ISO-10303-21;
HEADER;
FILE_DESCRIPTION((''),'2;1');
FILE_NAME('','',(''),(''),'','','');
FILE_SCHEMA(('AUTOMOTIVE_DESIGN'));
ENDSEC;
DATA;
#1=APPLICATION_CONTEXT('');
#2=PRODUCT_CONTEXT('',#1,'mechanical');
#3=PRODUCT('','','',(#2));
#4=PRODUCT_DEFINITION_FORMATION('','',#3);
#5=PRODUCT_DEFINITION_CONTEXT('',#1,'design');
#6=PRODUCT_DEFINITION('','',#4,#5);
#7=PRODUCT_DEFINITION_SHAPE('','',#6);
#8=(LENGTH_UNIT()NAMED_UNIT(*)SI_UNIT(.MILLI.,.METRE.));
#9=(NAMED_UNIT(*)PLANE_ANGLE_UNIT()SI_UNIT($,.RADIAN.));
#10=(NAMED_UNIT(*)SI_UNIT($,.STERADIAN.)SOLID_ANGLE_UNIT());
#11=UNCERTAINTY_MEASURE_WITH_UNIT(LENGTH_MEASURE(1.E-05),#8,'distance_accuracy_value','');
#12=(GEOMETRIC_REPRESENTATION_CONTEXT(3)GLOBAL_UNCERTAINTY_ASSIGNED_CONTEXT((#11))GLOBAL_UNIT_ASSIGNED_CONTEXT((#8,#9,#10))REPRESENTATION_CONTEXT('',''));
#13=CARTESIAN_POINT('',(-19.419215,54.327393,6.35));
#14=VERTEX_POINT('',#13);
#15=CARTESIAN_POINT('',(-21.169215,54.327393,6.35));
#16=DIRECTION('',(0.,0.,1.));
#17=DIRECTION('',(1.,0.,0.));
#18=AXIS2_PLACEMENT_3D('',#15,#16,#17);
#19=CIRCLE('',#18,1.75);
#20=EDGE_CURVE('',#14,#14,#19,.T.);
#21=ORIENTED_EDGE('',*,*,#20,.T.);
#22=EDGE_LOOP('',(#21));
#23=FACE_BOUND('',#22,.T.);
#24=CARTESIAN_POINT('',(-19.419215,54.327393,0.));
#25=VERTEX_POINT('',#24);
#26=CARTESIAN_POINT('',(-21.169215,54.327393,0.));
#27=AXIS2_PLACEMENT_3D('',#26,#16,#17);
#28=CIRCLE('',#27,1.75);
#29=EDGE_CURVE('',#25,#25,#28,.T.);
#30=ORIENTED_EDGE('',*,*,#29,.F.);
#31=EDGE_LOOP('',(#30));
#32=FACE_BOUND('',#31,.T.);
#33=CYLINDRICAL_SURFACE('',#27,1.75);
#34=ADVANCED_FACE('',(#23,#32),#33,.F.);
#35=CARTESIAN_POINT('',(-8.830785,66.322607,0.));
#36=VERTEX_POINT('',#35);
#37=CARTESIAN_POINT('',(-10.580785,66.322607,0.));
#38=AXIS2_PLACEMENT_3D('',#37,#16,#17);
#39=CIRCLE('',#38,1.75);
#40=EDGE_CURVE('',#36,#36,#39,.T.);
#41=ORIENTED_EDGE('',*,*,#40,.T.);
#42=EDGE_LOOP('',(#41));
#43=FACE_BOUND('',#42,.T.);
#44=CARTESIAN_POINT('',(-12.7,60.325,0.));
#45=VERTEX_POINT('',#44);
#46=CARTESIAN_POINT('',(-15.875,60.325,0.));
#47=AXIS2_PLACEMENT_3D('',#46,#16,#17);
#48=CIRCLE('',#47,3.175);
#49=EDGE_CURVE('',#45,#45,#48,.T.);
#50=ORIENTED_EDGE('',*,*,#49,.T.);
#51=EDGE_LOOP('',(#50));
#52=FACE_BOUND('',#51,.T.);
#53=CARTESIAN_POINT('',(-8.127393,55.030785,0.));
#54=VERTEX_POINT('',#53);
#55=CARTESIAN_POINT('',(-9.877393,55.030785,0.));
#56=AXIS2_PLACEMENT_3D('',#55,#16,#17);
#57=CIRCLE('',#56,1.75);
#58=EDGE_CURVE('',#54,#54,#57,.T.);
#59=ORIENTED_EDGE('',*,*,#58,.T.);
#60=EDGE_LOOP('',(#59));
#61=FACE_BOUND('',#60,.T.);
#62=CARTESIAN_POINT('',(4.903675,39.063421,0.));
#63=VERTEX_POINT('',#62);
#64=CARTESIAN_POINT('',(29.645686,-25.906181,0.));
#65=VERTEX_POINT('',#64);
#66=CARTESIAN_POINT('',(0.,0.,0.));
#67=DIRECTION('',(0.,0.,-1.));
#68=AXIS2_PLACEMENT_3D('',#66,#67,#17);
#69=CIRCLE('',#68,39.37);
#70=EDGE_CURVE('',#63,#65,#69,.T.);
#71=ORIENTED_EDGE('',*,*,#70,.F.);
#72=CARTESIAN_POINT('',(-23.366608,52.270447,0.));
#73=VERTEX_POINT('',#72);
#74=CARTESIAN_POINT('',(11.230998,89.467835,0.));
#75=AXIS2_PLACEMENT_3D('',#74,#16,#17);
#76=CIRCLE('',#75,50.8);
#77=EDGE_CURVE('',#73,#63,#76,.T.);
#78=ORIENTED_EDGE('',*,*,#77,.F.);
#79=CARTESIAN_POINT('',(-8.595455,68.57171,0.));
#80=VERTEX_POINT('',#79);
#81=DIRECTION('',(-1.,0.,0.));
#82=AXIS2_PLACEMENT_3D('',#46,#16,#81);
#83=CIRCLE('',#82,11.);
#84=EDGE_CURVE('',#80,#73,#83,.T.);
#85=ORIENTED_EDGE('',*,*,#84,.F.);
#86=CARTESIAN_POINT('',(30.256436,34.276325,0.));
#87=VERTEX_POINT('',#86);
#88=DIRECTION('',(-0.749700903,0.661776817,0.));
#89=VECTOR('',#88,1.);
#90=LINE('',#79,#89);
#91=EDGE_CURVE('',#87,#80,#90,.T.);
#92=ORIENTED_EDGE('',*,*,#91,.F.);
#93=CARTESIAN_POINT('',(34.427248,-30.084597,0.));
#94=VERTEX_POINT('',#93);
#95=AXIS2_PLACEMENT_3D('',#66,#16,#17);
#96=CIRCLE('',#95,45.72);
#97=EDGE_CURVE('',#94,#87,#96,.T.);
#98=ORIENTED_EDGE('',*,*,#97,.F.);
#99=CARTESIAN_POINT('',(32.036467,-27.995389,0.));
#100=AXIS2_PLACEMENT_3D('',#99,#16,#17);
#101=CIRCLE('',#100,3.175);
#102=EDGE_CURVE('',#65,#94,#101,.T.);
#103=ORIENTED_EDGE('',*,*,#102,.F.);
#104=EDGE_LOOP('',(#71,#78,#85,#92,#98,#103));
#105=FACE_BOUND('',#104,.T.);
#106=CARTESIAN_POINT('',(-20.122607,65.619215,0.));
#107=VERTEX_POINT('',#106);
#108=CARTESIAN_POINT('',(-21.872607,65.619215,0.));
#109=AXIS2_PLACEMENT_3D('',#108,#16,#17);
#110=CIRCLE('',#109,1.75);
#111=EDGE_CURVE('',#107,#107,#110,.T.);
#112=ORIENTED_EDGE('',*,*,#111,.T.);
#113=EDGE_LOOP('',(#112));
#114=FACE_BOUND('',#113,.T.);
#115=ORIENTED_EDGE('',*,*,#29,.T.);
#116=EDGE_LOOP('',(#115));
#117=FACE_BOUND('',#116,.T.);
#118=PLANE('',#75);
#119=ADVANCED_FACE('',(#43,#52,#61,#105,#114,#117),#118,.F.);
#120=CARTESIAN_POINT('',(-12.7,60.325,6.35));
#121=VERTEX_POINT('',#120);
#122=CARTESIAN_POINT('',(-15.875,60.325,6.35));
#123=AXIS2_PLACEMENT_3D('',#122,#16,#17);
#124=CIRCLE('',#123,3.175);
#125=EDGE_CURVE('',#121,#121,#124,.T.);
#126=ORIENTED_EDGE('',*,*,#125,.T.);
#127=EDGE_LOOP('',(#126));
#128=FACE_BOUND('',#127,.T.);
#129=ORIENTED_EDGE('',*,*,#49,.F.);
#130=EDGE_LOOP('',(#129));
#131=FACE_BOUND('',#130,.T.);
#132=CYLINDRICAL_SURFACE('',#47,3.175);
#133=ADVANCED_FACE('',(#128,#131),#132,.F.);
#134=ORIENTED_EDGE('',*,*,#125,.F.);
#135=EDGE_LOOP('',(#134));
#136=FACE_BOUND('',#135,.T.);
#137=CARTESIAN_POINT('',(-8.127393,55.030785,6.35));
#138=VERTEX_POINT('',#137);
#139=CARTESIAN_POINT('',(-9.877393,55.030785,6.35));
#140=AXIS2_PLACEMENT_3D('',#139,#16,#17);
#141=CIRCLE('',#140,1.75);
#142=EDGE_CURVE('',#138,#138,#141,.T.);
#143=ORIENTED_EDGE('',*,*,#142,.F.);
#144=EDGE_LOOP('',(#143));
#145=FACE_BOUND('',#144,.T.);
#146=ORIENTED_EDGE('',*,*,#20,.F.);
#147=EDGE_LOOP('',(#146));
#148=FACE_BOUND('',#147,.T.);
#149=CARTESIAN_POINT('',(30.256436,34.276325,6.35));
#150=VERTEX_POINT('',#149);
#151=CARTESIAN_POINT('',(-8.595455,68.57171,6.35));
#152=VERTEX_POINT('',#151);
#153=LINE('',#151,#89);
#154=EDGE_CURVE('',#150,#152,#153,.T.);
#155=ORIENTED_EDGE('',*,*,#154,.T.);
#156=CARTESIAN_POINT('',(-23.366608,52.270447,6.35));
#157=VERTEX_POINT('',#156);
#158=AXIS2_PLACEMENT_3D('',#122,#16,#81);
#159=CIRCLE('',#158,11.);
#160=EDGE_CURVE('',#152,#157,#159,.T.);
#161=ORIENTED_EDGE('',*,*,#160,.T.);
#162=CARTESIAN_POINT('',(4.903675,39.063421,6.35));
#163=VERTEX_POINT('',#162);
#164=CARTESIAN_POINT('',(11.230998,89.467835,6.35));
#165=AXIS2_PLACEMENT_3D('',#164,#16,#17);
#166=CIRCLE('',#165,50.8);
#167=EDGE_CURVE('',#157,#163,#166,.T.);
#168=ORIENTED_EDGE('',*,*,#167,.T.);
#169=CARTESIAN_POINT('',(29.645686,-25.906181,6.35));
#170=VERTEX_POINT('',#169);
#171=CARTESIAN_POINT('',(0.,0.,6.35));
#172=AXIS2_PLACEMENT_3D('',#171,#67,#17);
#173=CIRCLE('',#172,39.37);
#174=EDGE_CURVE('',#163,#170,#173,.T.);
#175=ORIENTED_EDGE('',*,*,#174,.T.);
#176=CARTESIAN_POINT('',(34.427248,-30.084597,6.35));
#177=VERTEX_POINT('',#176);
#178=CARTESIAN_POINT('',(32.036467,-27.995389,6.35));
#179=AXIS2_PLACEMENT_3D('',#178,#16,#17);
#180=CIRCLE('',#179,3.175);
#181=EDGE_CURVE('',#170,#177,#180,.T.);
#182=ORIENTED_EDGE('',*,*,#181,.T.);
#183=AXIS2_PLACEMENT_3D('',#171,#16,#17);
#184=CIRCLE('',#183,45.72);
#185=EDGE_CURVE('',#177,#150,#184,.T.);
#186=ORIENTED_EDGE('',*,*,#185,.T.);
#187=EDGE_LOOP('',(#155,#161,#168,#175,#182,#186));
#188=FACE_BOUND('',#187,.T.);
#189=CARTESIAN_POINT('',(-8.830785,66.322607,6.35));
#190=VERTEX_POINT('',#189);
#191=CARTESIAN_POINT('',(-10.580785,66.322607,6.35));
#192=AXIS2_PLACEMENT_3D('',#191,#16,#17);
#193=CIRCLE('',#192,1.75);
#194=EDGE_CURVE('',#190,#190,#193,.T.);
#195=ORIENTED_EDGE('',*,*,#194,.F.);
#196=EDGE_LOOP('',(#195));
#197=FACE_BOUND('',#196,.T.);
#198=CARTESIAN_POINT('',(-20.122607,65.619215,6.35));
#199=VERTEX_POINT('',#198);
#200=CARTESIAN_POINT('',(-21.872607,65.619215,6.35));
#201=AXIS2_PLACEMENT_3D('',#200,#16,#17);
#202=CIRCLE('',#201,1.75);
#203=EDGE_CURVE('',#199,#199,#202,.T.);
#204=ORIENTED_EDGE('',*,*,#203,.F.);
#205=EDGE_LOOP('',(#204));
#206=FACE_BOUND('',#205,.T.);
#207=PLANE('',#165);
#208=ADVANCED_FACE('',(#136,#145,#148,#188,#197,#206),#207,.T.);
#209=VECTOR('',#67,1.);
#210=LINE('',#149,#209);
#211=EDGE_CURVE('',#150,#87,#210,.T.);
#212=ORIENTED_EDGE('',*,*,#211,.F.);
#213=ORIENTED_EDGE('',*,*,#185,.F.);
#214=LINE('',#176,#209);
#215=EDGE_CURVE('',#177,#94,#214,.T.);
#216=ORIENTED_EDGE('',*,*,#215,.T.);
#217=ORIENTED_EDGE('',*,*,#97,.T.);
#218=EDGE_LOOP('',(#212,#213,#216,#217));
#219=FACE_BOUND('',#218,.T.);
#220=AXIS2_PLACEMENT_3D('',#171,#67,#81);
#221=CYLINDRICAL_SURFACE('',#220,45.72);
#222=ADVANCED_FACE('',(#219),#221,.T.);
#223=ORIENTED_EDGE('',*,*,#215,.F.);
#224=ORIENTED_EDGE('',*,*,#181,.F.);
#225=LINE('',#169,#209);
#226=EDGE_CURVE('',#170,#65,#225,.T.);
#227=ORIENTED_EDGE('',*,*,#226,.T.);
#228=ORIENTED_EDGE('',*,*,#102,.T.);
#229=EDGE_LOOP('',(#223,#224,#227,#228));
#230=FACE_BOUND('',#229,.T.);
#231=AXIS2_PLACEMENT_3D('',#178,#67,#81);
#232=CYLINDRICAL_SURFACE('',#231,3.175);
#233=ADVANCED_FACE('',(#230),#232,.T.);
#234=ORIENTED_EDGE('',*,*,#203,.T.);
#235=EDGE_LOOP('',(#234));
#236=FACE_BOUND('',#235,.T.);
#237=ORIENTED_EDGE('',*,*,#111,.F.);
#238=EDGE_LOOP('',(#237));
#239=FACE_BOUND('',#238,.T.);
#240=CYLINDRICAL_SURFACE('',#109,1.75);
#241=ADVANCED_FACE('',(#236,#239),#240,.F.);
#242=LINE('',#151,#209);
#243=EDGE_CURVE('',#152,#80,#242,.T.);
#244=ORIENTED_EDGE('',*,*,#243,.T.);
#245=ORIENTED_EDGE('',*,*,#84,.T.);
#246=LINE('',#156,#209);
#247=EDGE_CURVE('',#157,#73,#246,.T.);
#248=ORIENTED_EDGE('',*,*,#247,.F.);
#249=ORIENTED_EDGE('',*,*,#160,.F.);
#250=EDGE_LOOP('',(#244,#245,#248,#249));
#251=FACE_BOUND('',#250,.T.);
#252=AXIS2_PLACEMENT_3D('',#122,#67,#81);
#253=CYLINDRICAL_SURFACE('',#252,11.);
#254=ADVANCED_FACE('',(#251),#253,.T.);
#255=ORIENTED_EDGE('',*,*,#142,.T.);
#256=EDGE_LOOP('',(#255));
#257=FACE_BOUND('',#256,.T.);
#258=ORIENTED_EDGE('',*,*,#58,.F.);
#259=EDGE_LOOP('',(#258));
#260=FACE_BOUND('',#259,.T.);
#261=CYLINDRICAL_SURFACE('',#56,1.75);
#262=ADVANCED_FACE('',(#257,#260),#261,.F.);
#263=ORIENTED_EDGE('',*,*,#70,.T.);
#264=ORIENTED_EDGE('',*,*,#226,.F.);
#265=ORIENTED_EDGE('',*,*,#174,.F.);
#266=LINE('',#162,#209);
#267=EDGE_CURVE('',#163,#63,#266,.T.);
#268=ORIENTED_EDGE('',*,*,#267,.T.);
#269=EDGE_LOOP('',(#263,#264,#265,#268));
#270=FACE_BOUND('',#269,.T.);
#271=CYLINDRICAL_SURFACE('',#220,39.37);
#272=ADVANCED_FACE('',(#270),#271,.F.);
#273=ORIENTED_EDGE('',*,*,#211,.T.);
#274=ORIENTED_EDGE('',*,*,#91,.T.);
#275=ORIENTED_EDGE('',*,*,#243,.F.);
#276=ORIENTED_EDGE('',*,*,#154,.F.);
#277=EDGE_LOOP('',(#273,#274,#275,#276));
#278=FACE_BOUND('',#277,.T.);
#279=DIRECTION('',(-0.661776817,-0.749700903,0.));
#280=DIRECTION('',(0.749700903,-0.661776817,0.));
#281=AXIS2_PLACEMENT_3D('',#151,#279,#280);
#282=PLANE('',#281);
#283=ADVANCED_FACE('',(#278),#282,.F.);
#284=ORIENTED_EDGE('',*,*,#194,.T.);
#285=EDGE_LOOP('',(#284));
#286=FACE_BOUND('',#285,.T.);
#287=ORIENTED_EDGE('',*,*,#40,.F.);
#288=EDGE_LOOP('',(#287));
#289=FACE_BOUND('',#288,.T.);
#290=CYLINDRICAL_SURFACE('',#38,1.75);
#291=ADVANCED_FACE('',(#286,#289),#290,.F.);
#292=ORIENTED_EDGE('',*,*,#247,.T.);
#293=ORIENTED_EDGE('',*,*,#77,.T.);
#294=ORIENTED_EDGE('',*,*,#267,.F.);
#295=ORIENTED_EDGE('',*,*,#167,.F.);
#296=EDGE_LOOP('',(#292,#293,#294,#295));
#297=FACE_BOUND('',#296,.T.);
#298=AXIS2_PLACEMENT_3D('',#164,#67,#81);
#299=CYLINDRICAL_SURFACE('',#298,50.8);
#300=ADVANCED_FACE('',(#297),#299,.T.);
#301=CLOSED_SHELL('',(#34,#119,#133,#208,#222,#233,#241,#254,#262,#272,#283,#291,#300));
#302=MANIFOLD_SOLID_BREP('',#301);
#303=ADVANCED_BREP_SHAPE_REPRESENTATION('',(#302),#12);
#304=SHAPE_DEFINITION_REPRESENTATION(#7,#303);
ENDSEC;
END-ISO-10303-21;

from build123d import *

# Parameters (mm, degrees)
BOSS_EXTRUDE1_DEPTH = 6.35
SKETCH2_R           = 3.175
SKETCH2_R_2         = 1.75
CUT_EXTRUDE1_DEPTH  = 7.35


with BuildPart() as part:
    # Sketch1 → Boss-Extrude1 (new body)
    with BuildSketch(Plane.XY):
        with BuildLine():
            Line((-8.595455009, 68.571709933), (30.25643609, 34.276325287))
            ThreePointArc((30.25643609, 34.276325287), (45.624300947, 2.956613457), (34.427247837, -30.084597493))
            ThreePointArc((34.427247837, -30.084597493), (29.947258578, -30.386170434), (29.645685638, -25.906181175))
            ThreePointArc((29.645685638, -25.906181175), (36.792348261, 14.011424249), (4.903675305, 39.063421106))
            ThreePointArc((4.903675305, 39.063421106), (-10.270602503, 43.44261231), (-23.366607565, 52.270447493))
            ThreePointArc((-23.366607565, 52.270447493), (-24.02632087, 67.711201194), (-8.595455009, 68.571709933))
        make_face()
    extrude(amount=BOSS_EXTRUDE1_DEPTH)

    # Sketch2 → Cut-Extrude1 (cut, through all)
    with BuildSketch(Plane.XY.offset(6.35)):
        with Locations((-15.875, 60.325)):
            Circle(SKETCH2_R)
        with Locations((-10.580785461, 66.322607224)):
            Circle(SKETCH2_R_2)
        with Locations((-9.877392776, 55.030785461)):
            Circle(SKETCH2_R_2)
        with Locations((-21.169214539, 54.327392776)):
            Circle(SKETCH2_R_2)
        with Locations((-21.872607224, 65.619214539)):
            Circle(SKETCH2_R_2)
    extrude(amount=-CUT_EXTRUDE1_DEPTH, mode=Mode.SUBTRACT)


solid = part.part
